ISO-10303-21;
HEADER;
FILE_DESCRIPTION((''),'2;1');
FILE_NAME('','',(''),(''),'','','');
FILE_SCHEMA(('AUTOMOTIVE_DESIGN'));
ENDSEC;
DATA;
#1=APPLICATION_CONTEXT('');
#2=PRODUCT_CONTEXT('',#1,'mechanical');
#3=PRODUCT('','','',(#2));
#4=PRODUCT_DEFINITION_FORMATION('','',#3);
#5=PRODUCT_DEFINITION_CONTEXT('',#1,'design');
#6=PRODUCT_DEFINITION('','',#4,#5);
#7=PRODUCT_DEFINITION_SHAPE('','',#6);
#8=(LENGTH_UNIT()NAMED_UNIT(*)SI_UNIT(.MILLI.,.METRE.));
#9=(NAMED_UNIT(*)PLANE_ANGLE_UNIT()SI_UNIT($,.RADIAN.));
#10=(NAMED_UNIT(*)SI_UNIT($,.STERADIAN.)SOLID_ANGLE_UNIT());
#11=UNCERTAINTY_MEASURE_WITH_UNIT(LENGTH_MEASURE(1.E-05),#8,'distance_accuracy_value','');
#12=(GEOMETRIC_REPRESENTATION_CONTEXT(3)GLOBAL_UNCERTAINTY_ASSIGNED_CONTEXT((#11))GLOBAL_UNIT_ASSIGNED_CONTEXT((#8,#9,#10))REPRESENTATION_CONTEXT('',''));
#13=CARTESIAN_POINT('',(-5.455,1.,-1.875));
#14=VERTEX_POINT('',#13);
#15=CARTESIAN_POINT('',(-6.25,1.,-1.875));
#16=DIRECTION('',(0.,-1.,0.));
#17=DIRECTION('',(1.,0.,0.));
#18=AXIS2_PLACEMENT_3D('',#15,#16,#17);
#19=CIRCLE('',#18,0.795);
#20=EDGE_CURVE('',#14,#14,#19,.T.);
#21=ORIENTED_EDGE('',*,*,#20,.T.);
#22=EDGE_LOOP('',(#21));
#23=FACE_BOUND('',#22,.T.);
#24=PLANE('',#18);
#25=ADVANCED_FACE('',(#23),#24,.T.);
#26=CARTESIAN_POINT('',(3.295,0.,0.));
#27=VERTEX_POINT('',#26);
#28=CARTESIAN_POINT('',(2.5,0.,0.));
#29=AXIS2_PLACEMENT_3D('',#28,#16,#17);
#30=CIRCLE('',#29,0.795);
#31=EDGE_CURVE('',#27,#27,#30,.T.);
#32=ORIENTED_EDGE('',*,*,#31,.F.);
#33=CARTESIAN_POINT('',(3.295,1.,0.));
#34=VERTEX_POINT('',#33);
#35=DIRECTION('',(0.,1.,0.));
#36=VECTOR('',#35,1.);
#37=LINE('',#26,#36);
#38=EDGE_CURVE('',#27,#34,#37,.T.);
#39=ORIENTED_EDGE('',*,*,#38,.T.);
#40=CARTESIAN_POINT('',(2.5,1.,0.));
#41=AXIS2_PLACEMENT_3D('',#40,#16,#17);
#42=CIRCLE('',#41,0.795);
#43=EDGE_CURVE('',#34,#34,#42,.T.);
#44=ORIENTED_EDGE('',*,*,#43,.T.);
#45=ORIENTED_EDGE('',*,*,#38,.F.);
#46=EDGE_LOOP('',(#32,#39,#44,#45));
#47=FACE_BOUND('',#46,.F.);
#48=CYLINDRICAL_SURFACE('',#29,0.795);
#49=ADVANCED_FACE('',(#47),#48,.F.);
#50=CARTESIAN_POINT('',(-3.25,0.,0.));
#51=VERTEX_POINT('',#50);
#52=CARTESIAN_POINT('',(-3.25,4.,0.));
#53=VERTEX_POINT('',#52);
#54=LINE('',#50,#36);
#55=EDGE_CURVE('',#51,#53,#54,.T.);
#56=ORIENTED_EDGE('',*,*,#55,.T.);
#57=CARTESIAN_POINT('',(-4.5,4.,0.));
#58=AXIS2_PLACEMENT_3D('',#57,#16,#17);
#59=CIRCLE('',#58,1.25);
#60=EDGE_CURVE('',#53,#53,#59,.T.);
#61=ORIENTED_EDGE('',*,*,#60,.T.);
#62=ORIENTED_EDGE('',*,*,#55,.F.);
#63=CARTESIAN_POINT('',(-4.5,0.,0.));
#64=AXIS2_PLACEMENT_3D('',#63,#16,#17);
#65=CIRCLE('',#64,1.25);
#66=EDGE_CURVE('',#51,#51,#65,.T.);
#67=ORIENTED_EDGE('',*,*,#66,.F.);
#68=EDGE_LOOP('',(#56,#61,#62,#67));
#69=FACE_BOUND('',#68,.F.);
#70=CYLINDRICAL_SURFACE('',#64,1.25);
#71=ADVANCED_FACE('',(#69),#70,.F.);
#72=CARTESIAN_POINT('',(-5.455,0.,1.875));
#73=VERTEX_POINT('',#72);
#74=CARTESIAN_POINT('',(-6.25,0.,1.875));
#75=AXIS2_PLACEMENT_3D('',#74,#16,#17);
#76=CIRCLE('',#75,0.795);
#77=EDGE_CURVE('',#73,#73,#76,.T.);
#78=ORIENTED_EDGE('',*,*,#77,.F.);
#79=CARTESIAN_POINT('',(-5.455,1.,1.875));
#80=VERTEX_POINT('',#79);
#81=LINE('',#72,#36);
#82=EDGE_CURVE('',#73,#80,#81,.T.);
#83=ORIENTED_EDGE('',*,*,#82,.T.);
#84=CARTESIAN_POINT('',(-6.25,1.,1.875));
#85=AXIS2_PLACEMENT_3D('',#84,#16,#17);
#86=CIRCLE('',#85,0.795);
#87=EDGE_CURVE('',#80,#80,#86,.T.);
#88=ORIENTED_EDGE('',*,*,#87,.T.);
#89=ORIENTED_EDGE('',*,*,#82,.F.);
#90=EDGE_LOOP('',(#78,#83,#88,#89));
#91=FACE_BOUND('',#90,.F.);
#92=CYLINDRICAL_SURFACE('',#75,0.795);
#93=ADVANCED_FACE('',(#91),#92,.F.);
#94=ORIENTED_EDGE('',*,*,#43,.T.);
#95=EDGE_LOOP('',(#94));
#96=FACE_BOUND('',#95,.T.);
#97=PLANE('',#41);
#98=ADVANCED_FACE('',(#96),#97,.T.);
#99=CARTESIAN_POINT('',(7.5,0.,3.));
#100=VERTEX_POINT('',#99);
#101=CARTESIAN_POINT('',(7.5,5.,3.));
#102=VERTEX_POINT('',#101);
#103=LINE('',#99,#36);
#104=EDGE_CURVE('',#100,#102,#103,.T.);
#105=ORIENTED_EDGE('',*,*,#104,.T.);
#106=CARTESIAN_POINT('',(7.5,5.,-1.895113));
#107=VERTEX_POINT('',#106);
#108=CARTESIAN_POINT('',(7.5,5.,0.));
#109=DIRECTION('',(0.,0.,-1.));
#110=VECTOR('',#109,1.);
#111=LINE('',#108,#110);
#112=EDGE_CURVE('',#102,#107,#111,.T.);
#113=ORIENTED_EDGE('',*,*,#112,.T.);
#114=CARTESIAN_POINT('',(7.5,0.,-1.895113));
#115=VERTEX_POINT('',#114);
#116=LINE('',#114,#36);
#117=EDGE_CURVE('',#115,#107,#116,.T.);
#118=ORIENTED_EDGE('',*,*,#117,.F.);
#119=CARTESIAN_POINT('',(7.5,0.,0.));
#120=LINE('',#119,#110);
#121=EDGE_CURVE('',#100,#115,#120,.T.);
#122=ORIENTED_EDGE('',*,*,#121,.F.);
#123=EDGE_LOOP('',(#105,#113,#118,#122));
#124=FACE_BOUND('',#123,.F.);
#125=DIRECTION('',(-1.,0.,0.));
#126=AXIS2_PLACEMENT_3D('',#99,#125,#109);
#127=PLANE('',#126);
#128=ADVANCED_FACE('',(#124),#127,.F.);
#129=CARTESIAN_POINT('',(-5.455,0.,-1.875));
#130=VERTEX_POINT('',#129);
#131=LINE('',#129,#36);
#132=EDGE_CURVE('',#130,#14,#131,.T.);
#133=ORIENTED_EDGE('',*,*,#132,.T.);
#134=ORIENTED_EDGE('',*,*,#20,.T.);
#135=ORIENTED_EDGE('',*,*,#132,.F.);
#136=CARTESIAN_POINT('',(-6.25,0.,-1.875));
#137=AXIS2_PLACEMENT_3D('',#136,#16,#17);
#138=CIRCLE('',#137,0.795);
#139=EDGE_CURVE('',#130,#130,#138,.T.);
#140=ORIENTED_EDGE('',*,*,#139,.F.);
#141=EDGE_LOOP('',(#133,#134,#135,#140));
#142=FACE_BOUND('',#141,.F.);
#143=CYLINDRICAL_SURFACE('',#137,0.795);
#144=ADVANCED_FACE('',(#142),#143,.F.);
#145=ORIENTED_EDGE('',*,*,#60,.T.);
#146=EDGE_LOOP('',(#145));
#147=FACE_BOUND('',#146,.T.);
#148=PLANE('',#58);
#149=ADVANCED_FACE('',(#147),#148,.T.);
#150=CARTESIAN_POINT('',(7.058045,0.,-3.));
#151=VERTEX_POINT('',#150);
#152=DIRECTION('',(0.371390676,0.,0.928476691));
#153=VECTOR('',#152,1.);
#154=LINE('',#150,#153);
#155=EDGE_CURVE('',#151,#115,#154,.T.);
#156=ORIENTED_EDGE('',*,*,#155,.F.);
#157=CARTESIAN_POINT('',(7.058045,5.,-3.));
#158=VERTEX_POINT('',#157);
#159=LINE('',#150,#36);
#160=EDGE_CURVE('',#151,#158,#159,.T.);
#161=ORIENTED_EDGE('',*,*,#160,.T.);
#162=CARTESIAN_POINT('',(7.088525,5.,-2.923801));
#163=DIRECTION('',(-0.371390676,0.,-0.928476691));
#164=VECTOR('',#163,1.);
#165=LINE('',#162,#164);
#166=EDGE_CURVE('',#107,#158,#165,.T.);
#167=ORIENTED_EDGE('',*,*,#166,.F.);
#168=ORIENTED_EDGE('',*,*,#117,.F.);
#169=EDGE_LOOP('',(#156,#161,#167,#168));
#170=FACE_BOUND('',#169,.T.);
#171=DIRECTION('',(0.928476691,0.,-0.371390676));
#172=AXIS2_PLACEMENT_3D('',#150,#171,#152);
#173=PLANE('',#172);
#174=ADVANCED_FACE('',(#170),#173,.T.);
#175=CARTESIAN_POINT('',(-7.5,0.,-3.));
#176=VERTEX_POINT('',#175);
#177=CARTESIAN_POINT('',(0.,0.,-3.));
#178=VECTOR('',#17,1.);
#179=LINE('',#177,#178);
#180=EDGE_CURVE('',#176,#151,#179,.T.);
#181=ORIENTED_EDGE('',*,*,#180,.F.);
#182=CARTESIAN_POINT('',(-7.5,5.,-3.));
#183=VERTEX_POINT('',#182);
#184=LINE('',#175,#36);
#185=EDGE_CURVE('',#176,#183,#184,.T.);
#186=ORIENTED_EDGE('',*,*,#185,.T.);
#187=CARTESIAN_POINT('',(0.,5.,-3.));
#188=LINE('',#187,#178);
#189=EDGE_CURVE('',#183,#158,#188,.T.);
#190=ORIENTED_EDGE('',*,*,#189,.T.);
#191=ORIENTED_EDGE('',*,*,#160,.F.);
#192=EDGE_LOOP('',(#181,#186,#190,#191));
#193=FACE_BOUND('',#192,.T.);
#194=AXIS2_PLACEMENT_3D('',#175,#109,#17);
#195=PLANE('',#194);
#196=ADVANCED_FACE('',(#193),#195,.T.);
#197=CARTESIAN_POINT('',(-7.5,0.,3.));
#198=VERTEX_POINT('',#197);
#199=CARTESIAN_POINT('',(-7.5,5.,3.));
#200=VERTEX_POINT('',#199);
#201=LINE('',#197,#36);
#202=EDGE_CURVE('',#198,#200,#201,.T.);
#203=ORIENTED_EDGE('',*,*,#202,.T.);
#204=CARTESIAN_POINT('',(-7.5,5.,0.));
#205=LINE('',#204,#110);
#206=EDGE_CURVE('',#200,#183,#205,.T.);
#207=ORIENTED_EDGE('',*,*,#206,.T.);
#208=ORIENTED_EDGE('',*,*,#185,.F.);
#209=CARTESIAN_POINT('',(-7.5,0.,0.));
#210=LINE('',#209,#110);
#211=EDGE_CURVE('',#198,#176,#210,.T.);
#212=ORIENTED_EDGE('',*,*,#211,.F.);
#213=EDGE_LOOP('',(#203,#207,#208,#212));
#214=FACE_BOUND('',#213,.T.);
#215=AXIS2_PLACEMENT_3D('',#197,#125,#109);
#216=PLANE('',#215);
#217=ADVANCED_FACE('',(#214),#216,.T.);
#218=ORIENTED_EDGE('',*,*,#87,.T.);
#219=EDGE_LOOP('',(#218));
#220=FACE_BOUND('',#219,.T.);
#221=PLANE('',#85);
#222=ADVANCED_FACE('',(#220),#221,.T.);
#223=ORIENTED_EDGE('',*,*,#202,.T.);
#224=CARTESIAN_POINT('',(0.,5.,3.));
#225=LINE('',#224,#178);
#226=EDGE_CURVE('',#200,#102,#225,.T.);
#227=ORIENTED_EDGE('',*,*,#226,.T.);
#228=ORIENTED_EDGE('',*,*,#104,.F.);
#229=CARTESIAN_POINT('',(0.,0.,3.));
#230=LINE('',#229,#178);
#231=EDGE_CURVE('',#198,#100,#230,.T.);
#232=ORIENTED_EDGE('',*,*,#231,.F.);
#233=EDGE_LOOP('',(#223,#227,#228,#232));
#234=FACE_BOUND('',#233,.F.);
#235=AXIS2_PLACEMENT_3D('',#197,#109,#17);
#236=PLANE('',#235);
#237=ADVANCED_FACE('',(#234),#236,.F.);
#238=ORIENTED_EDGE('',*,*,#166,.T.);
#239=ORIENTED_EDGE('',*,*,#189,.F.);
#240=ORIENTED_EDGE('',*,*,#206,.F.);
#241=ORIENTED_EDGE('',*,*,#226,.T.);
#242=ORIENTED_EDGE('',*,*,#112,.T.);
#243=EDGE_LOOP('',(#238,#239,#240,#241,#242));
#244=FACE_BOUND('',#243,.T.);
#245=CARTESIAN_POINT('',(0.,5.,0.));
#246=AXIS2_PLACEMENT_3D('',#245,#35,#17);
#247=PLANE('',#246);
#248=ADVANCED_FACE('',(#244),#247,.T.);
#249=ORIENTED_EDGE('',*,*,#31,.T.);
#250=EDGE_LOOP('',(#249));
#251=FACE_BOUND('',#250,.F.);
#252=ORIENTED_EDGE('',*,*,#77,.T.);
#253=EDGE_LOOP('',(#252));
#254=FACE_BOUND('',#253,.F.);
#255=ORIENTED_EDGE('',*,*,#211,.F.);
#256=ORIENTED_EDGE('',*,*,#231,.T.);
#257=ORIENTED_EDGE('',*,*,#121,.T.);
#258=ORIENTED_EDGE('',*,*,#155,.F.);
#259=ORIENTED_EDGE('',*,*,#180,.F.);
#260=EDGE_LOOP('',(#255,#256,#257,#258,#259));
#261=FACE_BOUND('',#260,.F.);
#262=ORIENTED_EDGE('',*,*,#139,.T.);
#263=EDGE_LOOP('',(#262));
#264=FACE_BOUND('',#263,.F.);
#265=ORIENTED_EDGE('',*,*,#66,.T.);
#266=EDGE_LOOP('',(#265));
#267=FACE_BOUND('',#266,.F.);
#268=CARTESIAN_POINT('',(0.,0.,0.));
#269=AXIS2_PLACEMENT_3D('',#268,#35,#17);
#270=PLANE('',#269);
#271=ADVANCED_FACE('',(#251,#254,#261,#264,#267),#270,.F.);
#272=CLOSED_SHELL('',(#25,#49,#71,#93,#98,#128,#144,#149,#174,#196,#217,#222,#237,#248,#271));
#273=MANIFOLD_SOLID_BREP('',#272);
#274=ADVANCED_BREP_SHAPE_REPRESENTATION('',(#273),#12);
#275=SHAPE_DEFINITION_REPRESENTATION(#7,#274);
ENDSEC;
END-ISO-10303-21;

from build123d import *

# Parameters (mm, degrees)
SKETCH1_W              = 15
SKETCH1_H              = 6
MAIN_BODY_DEPTH        = 5
SKETCH3_R              = 1.25
GRIN_HOLE_DEPTH        = 4
SKETCH2_R              = 0.795
MAGNET_HOLES_DEPTH     = 1
SET_SCREW_INDENT_DEPTH = 6


with BuildPart() as part:
    # Sketch1 → Main Body (new body)
    with BuildSketch(Plane(origin=(0, 0, 0), x_dir=(1, 0, 0), z_dir=(0, 1, 0))):
        Rectangle(SKETCH1_W, SKETCH1_H)
    extrude(amount=MAIN_BODY_DEPTH)

    # Sketch3 → GRIN Hole (cut)
    with BuildSketch(Plane.XZ):
        with Locations((-4.5, 0)):
            Circle(SKETCH3_R)
    extrude(amount=-GRIN_HOLE_DEPTH, mode=Mode.SUBTRACT)

    # Sketch2 → Magnet Holes (cut)
    with BuildSketch(Plane.XZ):
        with Locations((-6.25, -1.875)):
            Circle(SKETCH2_R)
        with Locations((-6.25, 1.875)):
            Circle(SKETCH2_R)
        with Locations((2.5, 0)):
            Circle(SKETCH2_R)
    extrude(amount=-MAGNET_HOLES_DEPTH, mode=Mode.SUBTRACT)

    # Sketch4 → Set Screw Indent (cut, through all)
    with BuildSketch(Plane.XZ):
        Polygon((7.058045095, -3), (7.5, -1.895112738), (7.5, -3), align=None)
    extrude(amount=-SET_SCREW_INDENT_DEPTH, mode=Mode.SUBTRACT)


solid = part.part
